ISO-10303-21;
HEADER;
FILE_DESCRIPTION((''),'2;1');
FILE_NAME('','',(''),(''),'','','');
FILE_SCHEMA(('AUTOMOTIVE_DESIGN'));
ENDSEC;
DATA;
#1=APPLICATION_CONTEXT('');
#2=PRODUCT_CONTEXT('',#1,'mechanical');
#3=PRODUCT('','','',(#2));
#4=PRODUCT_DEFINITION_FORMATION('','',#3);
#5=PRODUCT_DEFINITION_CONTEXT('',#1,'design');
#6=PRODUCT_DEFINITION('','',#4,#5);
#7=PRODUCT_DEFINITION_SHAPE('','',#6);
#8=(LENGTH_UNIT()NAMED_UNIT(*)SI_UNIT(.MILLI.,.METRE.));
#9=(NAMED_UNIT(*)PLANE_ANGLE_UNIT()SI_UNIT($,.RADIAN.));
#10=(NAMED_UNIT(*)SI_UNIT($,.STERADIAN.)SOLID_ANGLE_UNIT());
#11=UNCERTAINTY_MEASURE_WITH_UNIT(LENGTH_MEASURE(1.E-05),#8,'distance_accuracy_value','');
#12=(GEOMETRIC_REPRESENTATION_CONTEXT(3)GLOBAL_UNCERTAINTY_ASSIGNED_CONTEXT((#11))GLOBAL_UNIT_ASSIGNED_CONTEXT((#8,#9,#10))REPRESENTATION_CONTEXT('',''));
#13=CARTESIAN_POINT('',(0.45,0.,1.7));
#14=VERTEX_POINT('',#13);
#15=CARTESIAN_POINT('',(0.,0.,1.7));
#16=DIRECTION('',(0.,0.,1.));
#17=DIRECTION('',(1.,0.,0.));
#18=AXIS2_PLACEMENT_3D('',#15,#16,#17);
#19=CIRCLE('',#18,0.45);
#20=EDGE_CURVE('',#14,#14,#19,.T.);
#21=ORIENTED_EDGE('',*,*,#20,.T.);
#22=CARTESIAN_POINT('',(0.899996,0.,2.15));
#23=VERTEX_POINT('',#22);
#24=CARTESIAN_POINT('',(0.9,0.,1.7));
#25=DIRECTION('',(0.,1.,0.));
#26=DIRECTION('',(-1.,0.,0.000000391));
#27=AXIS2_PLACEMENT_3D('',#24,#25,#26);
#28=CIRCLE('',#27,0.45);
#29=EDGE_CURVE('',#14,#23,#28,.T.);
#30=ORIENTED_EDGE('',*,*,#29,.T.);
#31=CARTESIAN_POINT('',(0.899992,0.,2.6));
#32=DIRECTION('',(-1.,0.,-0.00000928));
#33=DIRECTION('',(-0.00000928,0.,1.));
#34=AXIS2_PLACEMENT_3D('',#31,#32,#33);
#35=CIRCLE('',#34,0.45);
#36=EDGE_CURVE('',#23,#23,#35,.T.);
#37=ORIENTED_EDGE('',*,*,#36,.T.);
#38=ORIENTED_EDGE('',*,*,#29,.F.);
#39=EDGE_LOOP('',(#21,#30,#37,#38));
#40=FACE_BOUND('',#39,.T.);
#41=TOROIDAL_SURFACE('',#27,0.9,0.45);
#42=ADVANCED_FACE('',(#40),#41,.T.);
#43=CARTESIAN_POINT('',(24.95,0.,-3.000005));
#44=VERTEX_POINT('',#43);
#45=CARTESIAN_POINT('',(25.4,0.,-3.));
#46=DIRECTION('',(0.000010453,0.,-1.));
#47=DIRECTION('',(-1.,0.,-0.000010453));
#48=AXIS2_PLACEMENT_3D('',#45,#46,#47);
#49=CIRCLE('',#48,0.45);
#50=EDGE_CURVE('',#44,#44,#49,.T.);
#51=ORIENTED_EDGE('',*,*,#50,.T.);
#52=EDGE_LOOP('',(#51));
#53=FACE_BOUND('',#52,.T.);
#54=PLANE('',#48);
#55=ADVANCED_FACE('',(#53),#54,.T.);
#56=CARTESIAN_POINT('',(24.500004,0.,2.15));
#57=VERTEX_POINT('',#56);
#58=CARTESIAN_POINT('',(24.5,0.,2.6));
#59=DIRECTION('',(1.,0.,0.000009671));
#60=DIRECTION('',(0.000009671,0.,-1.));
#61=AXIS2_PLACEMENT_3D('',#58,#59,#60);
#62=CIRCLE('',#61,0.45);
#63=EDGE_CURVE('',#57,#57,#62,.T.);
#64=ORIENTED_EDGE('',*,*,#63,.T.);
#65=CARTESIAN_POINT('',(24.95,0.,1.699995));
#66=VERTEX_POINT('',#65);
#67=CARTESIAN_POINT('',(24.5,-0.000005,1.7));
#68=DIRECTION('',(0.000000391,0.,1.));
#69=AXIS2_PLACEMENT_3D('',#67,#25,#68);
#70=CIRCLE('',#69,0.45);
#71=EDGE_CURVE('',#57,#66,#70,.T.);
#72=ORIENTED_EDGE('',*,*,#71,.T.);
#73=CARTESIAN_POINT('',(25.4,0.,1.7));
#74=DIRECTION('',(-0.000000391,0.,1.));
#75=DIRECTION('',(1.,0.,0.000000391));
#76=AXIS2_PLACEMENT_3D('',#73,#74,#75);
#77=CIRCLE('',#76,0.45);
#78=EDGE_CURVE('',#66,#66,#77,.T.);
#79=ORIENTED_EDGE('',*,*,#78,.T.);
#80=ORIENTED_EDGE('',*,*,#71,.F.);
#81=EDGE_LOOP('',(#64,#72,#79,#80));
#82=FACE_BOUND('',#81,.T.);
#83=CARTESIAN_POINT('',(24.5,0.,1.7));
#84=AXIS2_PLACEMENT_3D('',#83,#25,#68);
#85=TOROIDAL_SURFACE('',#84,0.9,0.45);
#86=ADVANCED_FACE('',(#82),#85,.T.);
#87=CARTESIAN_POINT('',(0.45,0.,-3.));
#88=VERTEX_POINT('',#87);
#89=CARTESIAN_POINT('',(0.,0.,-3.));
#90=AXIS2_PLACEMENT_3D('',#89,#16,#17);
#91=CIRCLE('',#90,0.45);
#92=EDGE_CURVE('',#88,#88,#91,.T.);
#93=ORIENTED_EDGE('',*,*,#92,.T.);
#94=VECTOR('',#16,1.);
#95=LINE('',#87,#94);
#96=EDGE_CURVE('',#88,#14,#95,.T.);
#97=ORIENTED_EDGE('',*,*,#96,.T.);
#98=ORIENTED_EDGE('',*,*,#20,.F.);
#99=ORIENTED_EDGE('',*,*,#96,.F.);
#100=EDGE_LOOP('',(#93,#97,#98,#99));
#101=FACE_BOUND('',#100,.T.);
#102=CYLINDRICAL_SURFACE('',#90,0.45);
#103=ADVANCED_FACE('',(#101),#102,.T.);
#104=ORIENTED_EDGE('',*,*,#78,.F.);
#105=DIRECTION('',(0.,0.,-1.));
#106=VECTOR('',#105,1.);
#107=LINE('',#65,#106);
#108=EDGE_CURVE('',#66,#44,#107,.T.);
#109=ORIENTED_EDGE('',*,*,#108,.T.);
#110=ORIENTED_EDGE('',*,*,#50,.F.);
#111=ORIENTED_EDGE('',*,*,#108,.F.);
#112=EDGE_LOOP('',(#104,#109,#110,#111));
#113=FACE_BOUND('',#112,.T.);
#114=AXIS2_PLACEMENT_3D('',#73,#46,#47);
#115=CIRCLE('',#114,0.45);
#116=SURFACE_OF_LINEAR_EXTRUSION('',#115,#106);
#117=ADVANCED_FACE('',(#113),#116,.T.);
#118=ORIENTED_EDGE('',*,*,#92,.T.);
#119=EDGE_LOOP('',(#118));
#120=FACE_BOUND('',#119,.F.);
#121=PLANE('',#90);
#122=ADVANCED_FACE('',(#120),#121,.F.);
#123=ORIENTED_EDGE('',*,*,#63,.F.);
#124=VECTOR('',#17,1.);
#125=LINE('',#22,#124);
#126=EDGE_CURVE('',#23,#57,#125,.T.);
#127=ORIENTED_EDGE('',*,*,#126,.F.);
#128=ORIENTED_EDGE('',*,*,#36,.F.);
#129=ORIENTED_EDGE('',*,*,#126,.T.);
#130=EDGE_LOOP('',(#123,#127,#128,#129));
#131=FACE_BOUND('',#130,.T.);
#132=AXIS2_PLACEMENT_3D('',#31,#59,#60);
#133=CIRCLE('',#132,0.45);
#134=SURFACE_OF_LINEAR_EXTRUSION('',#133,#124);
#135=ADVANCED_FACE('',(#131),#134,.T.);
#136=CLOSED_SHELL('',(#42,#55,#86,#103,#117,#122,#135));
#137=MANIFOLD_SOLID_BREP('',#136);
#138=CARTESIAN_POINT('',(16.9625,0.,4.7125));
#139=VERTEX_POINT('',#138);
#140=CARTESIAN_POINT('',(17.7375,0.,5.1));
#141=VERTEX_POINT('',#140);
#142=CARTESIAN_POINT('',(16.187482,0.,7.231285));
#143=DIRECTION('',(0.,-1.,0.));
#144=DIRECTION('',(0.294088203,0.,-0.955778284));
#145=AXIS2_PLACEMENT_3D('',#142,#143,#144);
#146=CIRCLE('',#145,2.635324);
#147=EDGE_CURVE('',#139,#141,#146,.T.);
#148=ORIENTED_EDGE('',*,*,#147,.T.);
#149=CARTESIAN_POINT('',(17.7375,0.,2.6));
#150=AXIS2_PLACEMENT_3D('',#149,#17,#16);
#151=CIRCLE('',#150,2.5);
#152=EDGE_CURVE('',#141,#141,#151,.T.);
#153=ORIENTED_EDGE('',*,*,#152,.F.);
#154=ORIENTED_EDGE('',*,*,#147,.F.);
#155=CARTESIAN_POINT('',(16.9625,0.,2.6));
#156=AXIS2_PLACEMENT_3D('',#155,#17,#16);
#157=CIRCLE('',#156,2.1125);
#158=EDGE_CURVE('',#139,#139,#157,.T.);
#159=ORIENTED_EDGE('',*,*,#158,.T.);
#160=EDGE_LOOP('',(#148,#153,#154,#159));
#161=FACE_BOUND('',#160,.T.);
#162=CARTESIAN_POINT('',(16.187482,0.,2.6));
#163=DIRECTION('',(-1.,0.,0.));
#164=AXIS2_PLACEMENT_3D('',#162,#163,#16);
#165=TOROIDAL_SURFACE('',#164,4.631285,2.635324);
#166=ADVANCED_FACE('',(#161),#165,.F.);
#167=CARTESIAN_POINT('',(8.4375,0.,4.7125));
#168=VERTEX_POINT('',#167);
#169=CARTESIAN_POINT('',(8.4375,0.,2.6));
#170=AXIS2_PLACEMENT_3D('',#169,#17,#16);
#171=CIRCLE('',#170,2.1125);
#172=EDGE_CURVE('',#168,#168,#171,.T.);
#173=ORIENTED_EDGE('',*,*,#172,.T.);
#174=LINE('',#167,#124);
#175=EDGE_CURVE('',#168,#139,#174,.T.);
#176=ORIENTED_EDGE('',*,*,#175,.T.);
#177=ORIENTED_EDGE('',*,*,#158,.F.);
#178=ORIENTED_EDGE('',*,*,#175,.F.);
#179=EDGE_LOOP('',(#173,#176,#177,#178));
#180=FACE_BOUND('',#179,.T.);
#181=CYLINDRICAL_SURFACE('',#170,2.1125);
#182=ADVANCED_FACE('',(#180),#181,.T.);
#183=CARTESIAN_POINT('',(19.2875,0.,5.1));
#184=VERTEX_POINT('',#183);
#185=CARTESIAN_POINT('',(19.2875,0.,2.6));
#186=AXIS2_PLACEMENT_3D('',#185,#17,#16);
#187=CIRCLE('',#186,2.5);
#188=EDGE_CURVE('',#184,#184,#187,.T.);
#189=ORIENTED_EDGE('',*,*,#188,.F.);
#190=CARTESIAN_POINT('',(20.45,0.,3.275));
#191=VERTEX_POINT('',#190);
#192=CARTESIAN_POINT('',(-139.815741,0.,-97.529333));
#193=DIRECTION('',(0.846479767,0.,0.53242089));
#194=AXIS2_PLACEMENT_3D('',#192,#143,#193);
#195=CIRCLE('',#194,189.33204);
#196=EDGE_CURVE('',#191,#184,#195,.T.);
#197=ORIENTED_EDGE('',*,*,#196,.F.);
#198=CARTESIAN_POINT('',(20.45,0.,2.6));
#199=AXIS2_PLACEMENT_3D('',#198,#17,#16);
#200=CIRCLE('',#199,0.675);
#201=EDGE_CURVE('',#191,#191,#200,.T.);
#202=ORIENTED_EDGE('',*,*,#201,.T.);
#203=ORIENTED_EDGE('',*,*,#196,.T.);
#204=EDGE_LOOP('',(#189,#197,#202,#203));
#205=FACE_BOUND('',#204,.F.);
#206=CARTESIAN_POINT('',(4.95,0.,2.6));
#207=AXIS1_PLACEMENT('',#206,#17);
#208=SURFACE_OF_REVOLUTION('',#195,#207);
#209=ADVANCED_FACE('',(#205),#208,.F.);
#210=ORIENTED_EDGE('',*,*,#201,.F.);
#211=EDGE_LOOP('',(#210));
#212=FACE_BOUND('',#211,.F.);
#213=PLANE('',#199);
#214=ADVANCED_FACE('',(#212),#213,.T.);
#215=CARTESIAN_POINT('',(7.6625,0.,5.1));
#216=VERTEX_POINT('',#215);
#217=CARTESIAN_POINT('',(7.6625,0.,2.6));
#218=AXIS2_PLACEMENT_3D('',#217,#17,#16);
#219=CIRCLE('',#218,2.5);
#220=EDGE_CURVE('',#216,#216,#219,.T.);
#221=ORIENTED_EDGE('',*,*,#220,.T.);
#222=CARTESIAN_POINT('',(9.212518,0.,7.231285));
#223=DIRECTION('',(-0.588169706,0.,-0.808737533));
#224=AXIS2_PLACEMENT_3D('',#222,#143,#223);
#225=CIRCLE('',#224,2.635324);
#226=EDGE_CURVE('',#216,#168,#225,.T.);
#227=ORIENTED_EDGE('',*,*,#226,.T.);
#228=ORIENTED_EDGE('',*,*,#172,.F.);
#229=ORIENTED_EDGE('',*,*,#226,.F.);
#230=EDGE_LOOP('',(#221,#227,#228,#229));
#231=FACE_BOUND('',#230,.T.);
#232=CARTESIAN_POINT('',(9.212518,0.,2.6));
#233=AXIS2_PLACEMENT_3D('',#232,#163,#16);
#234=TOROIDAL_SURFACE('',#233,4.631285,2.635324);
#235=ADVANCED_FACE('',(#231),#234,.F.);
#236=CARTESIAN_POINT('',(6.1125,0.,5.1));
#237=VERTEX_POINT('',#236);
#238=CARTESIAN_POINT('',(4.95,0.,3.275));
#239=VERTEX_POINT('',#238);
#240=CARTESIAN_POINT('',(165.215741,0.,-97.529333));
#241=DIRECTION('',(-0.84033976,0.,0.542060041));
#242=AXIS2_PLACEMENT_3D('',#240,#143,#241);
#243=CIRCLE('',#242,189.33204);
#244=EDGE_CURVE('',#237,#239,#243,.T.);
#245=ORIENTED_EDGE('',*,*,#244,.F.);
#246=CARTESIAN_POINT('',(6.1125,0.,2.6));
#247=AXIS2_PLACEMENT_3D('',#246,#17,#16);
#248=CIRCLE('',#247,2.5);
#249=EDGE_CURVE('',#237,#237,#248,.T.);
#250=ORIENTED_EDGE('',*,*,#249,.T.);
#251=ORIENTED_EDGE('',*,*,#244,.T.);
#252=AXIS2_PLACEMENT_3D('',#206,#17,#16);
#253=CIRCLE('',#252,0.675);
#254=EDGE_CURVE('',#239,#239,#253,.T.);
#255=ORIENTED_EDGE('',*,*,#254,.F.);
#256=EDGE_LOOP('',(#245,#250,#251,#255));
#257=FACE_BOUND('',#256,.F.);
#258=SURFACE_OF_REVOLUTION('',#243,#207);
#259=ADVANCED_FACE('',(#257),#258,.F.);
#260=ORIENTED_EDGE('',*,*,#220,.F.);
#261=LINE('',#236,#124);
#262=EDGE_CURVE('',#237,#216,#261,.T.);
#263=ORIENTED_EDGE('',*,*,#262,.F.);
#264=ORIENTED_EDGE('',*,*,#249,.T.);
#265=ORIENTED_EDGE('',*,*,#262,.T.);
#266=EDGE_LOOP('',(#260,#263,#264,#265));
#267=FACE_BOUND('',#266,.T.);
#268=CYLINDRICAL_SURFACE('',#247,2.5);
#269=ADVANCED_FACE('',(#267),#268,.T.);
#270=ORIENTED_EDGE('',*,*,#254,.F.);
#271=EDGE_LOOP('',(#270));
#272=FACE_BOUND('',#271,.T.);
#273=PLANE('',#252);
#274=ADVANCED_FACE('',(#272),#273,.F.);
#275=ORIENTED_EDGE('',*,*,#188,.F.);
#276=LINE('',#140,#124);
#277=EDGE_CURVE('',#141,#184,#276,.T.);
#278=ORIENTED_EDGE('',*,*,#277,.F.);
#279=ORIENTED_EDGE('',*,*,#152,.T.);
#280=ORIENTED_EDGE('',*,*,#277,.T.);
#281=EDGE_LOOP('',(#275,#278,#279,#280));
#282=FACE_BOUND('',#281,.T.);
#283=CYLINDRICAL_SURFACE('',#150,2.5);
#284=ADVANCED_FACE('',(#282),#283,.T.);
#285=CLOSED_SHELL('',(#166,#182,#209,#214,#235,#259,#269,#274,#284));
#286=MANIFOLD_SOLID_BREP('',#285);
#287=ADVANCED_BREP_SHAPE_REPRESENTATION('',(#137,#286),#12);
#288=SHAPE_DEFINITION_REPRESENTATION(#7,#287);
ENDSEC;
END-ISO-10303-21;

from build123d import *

# Parameters (mm, degrees)
SKETCH_R = 0.45


with BuildPart() as revolution:
    # Sketch002 → Revolution (revolve)
    with BuildSketch(Plane.XZ):
        with BuildLine():
            Line((6.1125, 5.1), (7.6625, 5.1))
            ThreePointArc((7.6625, 5.1), (8.033965, 4.87418), (8.4375, 4.7125))
            Line((8.4375, 4.7125), (16.9625, 4.7125))
            ThreePointArc((16.9625, 4.7125), (17.366035, 4.87418), (17.7375, 5.1))
            Line((17.7375, 5.1), (19.2875, 5.1))
            ThreePointArc((20.45, 3.275), (19.871357, 4.189161), (19.2875, 5.1))
            Line((20.45, 2.6), (20.45, 3.275))
            Line((4.95, 2.6), (20.45, 2.6))
            Line((4.95, 2.6), (4.95, 3.275))
            ThreePointArc((6.1125, 5.1), (5.528643, 4.189161), (4.95, 3.275))
        make_face()
    revolve(axis=Axis((4.95, 0, 2.6), (1, 0, 0)))


with BuildPart() as sweep_body:
    # Sweep: sweep along a path in Sketch001
    with BuildLine(Plane.XZ) as sweep_path:
        Line((0, -3), (0, 1.7))
        ThreePointArc((0, 1.7), (0.263601, 2.336393), (0.899992, 2.6))
        Line((0.899992, 2.6), (24.5, 2.6))
        ThreePointArc((24.5, 2.6), (25.136396, 2.336396), (25.4, 1.7))
        Line((25.4, 1.7), (25.4, -3))
    # Sketch → Sweep (sweep)
    with BuildSketch(Plane.XY.offset(-2)):
        Circle(SKETCH_R)
    sweep(path=sweep_path.line)


solid = Compound([revolution.part, sweep_body.part])
